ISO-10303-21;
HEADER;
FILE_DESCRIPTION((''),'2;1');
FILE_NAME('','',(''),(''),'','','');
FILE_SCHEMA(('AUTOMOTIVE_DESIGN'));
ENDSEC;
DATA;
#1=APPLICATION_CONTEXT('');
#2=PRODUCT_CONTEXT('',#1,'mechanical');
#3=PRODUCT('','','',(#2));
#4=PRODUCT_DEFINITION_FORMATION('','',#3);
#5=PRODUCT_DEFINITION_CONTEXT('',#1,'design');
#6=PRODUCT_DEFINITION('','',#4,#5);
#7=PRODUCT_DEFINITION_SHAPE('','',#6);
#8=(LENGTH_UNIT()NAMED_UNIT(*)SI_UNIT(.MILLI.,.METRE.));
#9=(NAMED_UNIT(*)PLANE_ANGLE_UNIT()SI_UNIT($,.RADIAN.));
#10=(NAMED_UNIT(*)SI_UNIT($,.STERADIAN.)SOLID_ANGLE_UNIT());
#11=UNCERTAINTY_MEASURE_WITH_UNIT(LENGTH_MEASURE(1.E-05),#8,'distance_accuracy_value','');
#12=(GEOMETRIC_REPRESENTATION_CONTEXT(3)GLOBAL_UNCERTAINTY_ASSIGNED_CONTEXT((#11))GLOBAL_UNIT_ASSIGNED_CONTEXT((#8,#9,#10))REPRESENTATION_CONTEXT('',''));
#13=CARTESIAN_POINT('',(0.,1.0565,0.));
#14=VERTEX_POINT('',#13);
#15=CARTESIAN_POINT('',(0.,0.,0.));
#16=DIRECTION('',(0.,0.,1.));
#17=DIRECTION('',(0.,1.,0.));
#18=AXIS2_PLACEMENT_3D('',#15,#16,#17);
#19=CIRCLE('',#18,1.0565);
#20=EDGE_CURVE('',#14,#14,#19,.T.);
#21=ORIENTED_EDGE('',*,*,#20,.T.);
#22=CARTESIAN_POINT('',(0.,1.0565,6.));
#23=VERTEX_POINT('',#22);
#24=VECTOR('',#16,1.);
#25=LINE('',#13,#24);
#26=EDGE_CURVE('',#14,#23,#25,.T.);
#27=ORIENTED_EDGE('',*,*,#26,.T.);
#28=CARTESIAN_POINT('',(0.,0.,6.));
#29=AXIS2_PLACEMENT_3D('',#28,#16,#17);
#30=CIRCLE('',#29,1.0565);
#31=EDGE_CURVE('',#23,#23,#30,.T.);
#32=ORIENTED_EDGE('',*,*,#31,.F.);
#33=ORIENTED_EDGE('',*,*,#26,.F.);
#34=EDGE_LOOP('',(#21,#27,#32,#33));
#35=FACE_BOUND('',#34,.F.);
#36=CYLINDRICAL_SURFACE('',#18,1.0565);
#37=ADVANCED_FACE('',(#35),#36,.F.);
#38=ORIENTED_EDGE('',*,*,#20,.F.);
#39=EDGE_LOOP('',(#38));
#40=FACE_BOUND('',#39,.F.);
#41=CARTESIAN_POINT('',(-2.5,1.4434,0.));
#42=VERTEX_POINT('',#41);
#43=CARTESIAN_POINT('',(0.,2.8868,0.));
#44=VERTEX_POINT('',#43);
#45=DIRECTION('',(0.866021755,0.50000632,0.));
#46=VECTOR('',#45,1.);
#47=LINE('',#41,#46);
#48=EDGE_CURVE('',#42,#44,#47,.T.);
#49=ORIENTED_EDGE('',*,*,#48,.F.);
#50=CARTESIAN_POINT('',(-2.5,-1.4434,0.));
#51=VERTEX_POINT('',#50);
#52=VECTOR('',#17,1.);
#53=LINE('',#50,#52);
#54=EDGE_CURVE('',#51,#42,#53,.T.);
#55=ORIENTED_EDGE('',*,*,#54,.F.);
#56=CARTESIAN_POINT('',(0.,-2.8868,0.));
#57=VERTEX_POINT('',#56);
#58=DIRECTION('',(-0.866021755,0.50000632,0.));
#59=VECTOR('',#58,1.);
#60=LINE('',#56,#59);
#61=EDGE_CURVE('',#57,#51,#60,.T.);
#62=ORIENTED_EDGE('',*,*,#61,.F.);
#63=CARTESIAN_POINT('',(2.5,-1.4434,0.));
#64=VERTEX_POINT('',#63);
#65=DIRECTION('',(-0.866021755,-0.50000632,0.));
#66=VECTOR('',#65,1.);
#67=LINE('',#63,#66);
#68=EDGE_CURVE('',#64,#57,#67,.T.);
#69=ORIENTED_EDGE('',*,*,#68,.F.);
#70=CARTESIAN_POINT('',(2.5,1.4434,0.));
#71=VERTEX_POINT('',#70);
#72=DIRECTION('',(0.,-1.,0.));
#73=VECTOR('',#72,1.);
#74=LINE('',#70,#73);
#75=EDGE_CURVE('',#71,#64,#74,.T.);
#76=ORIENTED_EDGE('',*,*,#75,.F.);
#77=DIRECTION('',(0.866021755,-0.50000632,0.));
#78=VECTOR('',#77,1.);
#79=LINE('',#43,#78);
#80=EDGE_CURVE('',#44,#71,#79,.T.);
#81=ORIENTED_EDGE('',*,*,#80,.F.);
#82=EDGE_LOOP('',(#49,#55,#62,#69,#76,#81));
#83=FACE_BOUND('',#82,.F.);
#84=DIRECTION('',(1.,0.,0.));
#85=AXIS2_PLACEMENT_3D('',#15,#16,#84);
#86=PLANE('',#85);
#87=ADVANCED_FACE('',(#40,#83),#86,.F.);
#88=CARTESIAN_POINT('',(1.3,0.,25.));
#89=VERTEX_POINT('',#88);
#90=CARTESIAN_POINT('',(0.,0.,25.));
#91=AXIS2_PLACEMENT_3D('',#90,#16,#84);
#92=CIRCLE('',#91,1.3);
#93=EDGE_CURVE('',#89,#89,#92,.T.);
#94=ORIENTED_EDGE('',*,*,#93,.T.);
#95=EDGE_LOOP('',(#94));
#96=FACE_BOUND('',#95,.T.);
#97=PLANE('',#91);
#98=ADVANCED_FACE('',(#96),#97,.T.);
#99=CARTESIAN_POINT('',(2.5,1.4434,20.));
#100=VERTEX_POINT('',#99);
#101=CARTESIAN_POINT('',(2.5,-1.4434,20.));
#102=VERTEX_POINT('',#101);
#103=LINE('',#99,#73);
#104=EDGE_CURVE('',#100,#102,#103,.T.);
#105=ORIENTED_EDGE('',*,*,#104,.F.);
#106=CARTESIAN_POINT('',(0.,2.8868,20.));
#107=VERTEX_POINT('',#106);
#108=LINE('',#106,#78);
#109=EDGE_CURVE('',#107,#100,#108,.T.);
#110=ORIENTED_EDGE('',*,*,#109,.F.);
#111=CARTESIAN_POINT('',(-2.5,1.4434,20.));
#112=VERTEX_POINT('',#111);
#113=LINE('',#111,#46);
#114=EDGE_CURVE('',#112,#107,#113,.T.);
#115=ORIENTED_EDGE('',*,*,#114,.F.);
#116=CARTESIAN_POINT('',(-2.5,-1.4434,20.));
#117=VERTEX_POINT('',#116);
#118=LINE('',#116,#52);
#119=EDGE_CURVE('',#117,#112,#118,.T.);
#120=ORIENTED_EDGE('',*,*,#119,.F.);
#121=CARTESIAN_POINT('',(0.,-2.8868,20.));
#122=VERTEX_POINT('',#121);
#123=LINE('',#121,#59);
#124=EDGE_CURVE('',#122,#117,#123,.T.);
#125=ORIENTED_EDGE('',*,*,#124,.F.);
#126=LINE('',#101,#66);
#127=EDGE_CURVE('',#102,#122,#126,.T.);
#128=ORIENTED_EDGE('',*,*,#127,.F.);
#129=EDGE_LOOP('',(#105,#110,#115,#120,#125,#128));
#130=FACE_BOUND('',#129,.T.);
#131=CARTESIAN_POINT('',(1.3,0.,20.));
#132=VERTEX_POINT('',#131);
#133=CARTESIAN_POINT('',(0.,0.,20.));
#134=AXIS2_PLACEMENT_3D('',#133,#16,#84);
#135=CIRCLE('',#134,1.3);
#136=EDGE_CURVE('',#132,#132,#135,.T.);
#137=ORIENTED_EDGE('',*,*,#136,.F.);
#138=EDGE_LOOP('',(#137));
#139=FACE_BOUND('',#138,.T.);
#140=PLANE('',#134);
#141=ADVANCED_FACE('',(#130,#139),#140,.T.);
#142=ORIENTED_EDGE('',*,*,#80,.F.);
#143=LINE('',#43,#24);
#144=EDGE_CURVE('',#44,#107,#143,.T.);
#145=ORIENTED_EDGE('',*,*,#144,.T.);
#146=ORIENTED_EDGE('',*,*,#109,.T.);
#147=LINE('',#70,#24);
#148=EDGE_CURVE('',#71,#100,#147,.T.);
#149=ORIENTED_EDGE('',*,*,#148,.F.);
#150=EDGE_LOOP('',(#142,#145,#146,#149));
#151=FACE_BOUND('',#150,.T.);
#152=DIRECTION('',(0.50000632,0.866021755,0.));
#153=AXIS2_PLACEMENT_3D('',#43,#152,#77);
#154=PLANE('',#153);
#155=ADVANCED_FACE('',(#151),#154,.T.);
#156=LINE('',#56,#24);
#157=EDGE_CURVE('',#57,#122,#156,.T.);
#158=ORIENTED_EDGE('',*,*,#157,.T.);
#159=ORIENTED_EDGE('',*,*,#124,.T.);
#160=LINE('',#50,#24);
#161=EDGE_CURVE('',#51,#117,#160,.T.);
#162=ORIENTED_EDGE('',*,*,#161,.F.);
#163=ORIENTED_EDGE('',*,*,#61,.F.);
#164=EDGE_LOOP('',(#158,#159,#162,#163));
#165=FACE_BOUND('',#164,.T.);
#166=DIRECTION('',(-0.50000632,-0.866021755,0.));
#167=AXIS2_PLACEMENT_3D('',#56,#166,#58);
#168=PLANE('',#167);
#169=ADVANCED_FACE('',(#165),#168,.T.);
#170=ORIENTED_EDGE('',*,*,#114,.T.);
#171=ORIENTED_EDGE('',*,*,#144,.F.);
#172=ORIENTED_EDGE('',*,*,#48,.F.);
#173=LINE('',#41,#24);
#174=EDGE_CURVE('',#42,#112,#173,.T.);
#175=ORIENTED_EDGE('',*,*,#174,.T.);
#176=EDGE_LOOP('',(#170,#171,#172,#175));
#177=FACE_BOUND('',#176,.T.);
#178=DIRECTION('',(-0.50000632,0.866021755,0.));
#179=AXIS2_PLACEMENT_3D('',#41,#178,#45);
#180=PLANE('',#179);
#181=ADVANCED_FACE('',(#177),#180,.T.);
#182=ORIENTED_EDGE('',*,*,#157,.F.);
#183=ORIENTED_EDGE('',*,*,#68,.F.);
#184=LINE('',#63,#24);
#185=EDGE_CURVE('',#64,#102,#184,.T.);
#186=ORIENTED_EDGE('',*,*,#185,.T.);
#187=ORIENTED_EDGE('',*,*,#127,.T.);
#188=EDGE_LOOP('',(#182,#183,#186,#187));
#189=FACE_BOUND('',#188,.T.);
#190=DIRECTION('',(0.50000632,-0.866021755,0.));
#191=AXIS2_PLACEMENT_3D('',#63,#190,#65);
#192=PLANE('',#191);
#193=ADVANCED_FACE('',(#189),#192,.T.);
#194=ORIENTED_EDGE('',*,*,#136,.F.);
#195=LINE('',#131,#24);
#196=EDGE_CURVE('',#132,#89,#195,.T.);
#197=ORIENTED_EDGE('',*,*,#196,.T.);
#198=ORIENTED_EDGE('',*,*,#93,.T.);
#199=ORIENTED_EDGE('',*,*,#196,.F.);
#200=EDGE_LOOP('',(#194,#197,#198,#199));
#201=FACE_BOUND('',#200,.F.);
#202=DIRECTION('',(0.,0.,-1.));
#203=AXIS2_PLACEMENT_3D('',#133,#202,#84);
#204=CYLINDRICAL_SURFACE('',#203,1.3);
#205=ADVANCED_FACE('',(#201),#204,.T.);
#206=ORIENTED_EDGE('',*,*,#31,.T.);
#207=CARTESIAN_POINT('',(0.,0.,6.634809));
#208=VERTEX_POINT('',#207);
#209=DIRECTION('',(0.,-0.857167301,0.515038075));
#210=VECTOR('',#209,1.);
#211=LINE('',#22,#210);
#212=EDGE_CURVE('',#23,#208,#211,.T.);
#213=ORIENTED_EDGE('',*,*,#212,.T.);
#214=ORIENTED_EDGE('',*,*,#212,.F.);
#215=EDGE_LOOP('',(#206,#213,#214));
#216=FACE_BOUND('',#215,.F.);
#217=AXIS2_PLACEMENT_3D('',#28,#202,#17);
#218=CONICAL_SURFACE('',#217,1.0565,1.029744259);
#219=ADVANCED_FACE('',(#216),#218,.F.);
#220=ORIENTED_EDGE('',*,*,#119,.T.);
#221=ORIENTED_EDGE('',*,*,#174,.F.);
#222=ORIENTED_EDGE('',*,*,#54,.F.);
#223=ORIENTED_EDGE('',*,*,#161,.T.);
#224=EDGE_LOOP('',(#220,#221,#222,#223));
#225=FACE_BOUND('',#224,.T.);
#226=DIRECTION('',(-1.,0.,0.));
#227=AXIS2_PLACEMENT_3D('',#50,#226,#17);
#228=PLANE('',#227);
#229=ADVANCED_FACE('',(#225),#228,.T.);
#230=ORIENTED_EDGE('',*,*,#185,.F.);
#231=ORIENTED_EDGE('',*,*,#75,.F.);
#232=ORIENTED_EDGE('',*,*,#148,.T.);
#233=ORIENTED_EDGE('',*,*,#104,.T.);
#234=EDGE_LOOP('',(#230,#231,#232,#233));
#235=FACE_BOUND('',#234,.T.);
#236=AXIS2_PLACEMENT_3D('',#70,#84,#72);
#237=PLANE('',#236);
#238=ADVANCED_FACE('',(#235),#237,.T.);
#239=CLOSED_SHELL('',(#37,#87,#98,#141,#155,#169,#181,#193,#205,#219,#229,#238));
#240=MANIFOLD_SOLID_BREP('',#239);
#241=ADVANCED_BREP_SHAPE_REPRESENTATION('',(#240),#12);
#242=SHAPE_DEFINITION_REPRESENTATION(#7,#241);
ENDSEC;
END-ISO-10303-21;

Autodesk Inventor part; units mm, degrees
ref_plane "YZ Plane" through (0, 0, 0) normal (1, 0, 0) x (0, 1, 0)
ref_plane "XZ Plane" through (0, 0, 0) normal (0, 1, 0) x (-1, 0, 0)
ref_plane "XY Plane" through (0, 0, 0) normal (0, 0, 1) x (1, 0, 0)
sketch "スケッチ1" plane through (0, 0, 0) normal (0, 0, 1) x (1, 0, 0)
  line L0 (0, 2.8868) -> (2.5, 1.4434)
  line L1 (2.5, 1.4434) -> (2.5, -1.4434)
  line L2 (2.5, -1.4434) -> (0, -2.8868)
  line L3 (0, -2.8868) -> (-2.5, -1.4434)
  line L4 (-2.5, -1.4434) -> (-2.5, 1.4434)
  line L5 (-2.5, 1.4434) -> (0, 2.8868)
  point P0 (0, 0)
  point P1 (0, 0)
  dimension "d0" = 5
extrude "押し出し1" add sketch "スケッチ1" along normal blind 20
sketch "スケッチ2" plane through (0, 0, 20) normal (0, 0, 1) x (1, 0, 0)
  circle A0 centre (0, 0) radius 1.3
  dimension "d3" = 2.6
extrude "押し出し2" add sketch "スケッチ2" along normal blind 5
thread "ねじ1" size "M2.6x0.45" class "6g" standard "ANSI Metric M Profile" full length
sketch "スケッチ3" plane through (0, 0, 0) normal (0, 0, -1) x (-1, 0, 0)
  point P0 (0, 0)
hole "穴1" at (0, 0, 0) direction (0, 0, 1) diameter 2.113 depth 6 tip angle 118 thread size "M2.6x0.45" class "6H" standard "ISO Metric profile"
properties part number "ジュラコンスペーサー（六角）_BS-2620E" material "アセタール樹脂、白"
